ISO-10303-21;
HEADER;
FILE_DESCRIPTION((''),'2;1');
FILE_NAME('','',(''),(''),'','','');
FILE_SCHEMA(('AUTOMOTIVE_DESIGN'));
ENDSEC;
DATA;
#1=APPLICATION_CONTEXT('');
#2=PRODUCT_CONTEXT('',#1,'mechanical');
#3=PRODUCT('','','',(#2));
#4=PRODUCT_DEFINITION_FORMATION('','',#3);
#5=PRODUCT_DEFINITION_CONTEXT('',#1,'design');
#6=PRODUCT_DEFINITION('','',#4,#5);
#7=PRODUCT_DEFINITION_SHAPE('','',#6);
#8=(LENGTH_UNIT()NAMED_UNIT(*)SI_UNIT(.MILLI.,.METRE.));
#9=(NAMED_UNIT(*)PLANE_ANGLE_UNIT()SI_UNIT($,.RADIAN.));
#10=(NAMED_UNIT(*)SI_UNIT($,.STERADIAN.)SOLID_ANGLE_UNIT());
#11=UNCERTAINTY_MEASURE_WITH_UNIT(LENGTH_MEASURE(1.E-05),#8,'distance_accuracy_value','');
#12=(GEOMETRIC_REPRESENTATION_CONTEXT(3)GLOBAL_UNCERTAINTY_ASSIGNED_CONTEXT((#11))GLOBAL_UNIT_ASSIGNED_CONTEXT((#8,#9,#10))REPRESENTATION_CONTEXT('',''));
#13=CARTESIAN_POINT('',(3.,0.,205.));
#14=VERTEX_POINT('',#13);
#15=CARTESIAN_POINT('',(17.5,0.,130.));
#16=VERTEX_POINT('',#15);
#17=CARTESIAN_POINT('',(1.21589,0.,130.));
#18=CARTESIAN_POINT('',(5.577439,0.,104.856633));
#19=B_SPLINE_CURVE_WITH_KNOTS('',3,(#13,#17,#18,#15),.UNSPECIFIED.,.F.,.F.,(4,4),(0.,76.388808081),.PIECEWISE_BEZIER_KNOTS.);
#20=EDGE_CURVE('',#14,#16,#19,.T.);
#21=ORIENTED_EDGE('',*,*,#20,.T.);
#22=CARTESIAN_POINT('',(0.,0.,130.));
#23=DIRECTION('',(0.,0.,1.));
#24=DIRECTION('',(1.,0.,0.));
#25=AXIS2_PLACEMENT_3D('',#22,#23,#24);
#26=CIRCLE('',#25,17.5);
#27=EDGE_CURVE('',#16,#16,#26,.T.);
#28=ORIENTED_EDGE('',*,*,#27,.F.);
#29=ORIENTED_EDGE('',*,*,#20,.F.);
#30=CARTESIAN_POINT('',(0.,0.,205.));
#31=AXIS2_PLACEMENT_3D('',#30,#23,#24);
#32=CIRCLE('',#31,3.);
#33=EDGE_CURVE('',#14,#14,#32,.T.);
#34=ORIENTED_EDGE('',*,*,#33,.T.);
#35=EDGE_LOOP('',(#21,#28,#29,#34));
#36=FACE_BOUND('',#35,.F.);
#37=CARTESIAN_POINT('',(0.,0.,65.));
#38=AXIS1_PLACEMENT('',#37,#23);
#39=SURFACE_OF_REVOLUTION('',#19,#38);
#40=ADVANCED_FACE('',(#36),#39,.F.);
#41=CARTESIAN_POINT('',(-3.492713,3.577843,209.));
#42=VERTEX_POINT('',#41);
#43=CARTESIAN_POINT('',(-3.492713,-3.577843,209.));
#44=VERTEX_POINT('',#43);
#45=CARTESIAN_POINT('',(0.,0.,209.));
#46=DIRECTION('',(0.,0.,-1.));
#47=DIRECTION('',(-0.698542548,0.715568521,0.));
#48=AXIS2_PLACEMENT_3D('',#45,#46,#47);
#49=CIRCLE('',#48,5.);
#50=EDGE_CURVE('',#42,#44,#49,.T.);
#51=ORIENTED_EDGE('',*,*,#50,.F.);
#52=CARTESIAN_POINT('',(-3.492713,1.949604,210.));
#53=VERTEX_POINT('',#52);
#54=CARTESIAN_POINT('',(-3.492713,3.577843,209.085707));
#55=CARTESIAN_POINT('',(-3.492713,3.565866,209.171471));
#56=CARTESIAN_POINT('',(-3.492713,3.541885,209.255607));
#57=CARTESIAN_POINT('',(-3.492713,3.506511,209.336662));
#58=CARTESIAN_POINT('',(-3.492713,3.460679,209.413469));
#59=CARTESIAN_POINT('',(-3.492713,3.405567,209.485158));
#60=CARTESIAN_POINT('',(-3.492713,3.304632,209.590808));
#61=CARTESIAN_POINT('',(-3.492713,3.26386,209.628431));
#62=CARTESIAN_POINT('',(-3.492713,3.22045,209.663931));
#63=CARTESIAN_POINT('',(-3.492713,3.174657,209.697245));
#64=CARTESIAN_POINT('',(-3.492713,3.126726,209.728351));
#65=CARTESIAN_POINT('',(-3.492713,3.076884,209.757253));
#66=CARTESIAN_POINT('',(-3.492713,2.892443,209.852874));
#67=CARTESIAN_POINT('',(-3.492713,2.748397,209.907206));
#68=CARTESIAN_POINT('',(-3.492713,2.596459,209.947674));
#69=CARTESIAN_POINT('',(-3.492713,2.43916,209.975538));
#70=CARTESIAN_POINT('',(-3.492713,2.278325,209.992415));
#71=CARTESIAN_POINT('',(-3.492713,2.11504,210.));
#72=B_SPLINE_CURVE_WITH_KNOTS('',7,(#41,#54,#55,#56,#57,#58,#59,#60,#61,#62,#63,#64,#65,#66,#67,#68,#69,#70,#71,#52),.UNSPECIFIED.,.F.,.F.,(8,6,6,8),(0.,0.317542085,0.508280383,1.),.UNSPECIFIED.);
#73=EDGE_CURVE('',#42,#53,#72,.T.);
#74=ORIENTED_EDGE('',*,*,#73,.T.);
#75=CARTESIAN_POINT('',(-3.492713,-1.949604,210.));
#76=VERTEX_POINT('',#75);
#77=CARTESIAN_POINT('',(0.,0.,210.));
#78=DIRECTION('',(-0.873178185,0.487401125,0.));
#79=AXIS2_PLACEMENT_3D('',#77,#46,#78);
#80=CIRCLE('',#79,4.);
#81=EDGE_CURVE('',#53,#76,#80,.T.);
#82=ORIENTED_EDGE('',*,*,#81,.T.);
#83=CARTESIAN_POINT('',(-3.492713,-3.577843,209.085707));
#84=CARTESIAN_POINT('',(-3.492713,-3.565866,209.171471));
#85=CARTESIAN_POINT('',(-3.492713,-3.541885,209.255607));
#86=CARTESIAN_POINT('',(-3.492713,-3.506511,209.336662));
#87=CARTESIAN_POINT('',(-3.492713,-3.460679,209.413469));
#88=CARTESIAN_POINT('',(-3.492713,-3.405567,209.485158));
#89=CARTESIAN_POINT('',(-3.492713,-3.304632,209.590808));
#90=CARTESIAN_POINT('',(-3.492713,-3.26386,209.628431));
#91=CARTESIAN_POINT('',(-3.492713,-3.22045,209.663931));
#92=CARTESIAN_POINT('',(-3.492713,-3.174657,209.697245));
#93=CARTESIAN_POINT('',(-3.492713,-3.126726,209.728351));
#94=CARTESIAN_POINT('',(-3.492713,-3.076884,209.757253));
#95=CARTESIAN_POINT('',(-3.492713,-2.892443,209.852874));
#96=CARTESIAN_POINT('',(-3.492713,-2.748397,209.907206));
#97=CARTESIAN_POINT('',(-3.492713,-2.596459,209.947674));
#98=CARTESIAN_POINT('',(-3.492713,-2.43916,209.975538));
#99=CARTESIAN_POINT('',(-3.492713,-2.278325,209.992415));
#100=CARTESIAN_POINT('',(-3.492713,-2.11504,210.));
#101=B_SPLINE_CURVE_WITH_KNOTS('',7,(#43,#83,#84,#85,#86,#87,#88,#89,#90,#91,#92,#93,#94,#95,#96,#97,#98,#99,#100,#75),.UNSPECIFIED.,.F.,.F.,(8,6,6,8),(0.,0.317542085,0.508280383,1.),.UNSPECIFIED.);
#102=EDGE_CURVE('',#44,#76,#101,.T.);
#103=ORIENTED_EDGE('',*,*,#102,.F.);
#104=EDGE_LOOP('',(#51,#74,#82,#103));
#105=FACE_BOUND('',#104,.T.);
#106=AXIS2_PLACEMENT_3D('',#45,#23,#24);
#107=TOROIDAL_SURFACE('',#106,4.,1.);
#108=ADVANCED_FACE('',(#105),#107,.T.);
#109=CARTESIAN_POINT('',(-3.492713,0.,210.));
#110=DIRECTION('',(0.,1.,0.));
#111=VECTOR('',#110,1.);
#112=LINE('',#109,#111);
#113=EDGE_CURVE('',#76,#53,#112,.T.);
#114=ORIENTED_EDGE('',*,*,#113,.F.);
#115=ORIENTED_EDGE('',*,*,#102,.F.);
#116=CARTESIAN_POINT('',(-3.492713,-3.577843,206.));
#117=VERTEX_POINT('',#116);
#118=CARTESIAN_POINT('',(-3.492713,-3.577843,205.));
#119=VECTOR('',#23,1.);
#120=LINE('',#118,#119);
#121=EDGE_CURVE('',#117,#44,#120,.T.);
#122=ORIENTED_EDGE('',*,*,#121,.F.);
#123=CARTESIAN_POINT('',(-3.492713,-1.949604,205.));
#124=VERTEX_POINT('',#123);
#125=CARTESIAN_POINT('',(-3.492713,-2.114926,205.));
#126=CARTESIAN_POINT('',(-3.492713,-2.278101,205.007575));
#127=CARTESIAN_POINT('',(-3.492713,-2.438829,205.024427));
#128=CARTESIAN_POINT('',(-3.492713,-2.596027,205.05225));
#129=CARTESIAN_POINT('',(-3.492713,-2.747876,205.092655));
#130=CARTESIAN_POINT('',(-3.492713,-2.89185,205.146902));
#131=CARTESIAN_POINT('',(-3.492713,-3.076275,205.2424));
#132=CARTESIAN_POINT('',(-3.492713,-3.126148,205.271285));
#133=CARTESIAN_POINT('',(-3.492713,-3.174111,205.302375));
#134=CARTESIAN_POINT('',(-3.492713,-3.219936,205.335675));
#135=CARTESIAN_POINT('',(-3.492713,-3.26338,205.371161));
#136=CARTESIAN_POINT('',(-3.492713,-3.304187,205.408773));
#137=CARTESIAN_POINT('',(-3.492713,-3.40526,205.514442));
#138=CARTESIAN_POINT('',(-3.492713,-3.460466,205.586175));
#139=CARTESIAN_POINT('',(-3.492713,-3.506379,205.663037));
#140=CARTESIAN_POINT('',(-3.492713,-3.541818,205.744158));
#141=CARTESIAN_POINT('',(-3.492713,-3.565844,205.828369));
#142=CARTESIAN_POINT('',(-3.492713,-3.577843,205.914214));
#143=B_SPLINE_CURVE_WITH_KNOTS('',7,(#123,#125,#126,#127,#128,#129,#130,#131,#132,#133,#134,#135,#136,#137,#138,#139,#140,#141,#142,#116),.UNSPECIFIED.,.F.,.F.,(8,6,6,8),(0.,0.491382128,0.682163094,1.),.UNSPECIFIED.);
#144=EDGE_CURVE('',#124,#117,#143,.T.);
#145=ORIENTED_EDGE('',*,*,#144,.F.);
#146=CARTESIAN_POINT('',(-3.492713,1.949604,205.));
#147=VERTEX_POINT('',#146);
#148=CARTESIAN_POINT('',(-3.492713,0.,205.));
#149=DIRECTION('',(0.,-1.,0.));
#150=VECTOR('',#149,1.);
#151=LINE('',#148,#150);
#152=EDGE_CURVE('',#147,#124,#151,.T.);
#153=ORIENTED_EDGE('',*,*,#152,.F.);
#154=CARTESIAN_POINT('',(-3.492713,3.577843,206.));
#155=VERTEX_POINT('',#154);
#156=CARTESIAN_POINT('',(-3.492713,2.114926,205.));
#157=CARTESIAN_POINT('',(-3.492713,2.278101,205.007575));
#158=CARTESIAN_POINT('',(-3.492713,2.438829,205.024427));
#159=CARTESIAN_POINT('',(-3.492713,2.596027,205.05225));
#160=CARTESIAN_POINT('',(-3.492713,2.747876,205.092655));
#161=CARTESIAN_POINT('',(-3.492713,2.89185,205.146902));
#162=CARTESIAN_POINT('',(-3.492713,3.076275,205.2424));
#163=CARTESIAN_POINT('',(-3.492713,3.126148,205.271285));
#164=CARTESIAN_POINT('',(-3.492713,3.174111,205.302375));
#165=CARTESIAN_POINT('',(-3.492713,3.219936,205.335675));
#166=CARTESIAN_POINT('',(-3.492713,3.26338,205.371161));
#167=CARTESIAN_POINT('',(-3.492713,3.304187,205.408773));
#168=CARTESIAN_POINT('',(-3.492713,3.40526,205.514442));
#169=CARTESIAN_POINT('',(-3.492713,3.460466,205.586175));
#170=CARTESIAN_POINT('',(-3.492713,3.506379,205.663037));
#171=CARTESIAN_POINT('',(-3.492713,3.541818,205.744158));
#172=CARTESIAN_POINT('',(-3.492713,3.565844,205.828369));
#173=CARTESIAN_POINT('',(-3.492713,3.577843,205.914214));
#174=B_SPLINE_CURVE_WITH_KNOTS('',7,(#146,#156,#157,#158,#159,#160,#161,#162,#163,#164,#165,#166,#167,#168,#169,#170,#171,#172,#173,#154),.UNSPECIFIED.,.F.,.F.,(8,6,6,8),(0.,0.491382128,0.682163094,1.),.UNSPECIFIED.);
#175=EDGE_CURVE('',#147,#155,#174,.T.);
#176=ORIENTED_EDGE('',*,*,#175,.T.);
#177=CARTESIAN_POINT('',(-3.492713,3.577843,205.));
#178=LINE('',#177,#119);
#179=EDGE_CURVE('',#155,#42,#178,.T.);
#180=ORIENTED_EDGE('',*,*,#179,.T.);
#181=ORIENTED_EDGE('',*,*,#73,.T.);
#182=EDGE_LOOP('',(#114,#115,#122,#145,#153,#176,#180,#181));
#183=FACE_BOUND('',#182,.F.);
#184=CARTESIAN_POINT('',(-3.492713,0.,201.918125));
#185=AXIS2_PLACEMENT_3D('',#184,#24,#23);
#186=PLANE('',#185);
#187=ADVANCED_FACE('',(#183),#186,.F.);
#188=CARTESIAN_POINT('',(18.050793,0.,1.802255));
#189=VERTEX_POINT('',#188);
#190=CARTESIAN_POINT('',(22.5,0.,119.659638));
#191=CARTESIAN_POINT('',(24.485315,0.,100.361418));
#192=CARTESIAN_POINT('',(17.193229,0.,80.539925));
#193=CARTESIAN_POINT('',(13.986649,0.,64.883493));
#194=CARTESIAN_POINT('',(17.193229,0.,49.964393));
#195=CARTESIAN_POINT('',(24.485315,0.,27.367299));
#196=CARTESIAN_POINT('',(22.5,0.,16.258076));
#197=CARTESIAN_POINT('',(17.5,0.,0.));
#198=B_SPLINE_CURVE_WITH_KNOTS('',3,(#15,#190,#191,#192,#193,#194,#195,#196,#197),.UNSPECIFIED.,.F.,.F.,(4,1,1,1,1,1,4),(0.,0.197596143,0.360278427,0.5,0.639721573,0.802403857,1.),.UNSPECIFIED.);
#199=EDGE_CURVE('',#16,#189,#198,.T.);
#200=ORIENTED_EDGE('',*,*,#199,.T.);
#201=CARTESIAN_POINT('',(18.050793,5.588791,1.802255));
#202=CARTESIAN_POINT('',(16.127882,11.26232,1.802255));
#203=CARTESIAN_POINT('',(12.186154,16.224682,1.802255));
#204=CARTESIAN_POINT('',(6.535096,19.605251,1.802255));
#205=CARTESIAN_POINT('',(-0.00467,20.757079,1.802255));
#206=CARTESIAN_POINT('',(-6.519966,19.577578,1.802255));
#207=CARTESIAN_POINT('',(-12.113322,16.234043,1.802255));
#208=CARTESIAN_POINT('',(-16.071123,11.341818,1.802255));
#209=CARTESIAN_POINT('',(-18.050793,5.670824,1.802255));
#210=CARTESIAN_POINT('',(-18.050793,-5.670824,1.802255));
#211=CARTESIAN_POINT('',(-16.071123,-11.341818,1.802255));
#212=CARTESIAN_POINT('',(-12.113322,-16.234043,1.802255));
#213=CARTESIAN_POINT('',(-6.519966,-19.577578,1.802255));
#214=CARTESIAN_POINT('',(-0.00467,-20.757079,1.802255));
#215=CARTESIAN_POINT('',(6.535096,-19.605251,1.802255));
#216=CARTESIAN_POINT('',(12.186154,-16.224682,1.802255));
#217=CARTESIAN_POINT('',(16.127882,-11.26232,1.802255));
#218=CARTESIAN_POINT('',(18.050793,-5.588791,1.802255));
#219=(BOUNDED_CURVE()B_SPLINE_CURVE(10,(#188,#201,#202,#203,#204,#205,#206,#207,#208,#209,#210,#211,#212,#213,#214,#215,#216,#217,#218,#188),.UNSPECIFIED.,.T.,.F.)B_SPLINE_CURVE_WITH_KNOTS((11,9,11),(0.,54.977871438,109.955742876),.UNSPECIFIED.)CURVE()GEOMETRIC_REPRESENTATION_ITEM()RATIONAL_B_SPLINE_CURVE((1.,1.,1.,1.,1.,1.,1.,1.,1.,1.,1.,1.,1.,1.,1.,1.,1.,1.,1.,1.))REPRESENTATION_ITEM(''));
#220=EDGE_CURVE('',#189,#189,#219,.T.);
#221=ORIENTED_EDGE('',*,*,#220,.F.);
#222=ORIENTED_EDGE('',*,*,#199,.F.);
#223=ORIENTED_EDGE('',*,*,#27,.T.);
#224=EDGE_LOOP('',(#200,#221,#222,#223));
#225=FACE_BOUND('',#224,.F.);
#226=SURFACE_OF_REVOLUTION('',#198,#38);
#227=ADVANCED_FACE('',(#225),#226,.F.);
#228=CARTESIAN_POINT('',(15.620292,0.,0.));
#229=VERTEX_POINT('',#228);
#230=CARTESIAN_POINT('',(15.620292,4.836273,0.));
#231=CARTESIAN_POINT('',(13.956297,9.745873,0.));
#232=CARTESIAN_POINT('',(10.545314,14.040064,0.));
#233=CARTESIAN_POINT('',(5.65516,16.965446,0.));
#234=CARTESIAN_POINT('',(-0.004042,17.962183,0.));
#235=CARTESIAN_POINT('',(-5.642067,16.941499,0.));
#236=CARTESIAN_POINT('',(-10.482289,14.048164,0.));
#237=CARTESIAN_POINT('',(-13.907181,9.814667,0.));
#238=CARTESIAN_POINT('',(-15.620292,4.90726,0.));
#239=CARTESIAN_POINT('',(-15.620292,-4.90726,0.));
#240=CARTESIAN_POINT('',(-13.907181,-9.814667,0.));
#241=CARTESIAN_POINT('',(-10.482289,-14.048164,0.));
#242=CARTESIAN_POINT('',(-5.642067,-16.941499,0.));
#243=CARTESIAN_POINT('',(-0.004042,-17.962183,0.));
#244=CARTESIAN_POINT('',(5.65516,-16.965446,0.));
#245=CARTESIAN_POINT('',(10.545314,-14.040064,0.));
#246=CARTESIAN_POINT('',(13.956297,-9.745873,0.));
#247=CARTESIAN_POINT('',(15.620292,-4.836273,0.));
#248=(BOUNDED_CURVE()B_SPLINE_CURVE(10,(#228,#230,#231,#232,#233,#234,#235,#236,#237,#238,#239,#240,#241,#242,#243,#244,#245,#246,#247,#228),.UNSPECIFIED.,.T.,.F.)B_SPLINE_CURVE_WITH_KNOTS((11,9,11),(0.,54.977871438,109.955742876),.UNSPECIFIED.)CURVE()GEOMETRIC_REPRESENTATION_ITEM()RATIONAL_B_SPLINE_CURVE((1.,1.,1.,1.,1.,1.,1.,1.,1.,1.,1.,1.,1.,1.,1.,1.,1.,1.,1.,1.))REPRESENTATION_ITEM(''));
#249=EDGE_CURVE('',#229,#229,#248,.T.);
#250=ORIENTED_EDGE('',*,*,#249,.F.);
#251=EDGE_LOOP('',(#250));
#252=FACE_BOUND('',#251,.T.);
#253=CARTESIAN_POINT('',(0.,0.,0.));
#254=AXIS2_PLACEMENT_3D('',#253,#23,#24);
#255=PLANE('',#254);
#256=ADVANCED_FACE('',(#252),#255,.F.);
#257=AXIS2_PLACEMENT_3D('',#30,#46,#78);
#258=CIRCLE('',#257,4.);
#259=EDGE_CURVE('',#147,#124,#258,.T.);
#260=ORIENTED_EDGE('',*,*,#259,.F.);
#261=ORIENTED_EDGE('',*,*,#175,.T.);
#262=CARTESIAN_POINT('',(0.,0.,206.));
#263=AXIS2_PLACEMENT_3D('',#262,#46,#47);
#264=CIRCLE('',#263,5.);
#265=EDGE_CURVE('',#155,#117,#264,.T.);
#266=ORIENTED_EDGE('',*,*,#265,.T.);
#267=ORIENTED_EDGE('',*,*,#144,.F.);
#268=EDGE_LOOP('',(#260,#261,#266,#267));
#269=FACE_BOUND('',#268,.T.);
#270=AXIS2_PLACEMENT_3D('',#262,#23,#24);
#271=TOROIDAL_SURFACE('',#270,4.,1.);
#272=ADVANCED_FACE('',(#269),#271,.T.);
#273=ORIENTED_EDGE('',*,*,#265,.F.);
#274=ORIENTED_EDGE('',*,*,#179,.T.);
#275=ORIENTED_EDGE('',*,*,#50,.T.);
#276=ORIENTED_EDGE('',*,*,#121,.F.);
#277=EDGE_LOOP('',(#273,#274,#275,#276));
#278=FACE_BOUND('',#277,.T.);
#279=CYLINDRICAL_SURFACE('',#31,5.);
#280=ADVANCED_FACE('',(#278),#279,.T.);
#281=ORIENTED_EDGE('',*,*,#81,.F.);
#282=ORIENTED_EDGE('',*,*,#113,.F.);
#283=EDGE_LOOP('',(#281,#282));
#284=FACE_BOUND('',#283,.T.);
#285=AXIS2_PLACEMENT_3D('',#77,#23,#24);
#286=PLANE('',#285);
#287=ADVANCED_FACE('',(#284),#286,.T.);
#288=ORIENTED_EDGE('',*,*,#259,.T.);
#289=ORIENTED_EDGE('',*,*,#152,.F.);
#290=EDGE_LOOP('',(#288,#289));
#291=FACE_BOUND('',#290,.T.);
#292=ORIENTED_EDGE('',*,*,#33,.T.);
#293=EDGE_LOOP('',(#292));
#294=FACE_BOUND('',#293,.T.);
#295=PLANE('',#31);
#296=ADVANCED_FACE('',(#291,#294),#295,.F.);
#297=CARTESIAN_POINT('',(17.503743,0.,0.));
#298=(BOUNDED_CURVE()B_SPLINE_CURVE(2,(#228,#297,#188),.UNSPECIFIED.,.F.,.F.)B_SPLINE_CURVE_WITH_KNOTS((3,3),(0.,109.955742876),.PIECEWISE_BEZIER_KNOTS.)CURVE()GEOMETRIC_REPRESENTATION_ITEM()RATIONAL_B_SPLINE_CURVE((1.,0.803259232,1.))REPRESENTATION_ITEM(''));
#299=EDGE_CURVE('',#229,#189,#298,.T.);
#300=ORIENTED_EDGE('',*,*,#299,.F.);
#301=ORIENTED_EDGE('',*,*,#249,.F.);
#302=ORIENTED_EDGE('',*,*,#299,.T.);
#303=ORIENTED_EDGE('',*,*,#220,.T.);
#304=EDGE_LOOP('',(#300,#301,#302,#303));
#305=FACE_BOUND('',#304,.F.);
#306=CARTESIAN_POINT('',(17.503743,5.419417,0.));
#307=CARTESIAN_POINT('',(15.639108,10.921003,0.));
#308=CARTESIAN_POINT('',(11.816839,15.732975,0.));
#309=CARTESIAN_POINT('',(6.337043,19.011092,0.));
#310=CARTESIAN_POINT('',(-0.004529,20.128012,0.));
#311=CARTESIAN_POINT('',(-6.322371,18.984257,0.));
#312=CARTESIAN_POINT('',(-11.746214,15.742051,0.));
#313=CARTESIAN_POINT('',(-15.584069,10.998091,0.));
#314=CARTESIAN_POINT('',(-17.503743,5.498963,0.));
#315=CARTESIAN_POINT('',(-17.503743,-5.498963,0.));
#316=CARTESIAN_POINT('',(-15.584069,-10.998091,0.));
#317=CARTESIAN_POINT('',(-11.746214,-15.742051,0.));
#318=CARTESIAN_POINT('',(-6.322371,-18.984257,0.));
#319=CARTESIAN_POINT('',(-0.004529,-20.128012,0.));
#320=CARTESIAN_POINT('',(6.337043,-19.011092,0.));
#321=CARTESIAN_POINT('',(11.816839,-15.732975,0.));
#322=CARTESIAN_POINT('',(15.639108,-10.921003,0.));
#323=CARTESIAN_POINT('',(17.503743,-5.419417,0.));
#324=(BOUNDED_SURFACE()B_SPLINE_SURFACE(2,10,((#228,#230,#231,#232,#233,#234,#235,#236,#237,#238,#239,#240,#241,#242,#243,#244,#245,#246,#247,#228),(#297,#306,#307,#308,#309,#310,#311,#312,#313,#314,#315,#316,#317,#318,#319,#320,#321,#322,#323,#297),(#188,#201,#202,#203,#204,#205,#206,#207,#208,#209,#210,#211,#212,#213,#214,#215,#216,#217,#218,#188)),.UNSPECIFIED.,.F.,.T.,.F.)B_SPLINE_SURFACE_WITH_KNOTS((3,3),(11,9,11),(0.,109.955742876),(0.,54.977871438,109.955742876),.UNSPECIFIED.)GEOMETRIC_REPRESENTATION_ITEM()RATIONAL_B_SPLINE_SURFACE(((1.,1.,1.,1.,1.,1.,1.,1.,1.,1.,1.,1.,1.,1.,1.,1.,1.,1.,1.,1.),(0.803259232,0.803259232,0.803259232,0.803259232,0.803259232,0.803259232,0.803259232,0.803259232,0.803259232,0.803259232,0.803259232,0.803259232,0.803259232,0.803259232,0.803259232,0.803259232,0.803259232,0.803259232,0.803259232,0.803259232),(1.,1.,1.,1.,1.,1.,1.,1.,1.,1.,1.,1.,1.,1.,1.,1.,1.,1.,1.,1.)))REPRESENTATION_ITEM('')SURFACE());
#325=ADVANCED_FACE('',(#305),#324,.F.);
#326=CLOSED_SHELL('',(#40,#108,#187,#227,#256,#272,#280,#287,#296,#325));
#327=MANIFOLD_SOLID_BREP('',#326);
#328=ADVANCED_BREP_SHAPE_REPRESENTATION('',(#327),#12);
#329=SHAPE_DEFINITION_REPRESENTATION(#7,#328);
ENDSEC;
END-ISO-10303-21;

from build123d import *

# Parameters (mm, degrees)
F2_R     = 2.54
F3_R     = 1
F4_W     = 19.7092390154
F4_H     = 15.7092064619
F5_DEPTH = 22.4


with BuildPart() as f1:
    # F0 (on Front) → F1 (revolve)
    with BuildSketch(Plane.XZ):
        with BuildLine():
            Line((0, 130), (0, 0))
            Line((0, 0), (17.5, 0))
            add(Edge.make_bspline(
                [(17.5, 130), (22.5, 119.6596379665), (24.4853151406, 100.3614181833), (17.1932288242, 80.5399245506), (13.9866485718, 64.883493419), (17.1932288242, 49.9643932696), (24.4853151406, 27.3672993347), (22.5, 16.2580761236), (17.5, 0)],
                knots=[0, 0, 0, 0, 0.1975961429, 0.3602784274, 0.5, 0.6397215726, 0.8024038571, 1, 1, 1, 1], degree=3))
            add(Edge.make_bspline(
                [(3, 205), (1.2158900885, 130), (5.5774394423, 104.8566326499), (17.5, 130)],
                knots=[0, 0, 0, 0, 76.3888080808, 76.3888080808, 76.3888080808, 76.3888080808], degree=3))
            Line((3, 205), (0, 205))
            Line((0, 205), (0, 130))
        make_face()
        Polygon((0, 210), (0, 205), (3, 205), (5, 205), (5, 210), align=None)
    revolve(axis=Axis((0, 0, 65), (0, 0, 1)))

    # F2
    f2_edges = [f1.edges().sort_by_distance(p)[0] for p in [
        (-17.5, 0, 0),
    ]]
    fillet(f2_edges, radius=F2_R)

    # F3
    f3_edges = [f1.edges().sort_by_distance(p)[0] for p in [
        (-5, 0, 205),
        (-5, 0, 210),
    ]]
    fillet(f3_edges, radius=F3_R)

    # F4 (on Front) → F5 (cut, symmetric)
    with BuildSketch(Plane.XZ):
        with Locations((-13.3473322494, 209.7727283835)):
            Rectangle(F4_W, F4_H)
    extrude(amount=F5_DEPTH, both=True, mode=Mode.SUBTRACT)


solid = f1.part
